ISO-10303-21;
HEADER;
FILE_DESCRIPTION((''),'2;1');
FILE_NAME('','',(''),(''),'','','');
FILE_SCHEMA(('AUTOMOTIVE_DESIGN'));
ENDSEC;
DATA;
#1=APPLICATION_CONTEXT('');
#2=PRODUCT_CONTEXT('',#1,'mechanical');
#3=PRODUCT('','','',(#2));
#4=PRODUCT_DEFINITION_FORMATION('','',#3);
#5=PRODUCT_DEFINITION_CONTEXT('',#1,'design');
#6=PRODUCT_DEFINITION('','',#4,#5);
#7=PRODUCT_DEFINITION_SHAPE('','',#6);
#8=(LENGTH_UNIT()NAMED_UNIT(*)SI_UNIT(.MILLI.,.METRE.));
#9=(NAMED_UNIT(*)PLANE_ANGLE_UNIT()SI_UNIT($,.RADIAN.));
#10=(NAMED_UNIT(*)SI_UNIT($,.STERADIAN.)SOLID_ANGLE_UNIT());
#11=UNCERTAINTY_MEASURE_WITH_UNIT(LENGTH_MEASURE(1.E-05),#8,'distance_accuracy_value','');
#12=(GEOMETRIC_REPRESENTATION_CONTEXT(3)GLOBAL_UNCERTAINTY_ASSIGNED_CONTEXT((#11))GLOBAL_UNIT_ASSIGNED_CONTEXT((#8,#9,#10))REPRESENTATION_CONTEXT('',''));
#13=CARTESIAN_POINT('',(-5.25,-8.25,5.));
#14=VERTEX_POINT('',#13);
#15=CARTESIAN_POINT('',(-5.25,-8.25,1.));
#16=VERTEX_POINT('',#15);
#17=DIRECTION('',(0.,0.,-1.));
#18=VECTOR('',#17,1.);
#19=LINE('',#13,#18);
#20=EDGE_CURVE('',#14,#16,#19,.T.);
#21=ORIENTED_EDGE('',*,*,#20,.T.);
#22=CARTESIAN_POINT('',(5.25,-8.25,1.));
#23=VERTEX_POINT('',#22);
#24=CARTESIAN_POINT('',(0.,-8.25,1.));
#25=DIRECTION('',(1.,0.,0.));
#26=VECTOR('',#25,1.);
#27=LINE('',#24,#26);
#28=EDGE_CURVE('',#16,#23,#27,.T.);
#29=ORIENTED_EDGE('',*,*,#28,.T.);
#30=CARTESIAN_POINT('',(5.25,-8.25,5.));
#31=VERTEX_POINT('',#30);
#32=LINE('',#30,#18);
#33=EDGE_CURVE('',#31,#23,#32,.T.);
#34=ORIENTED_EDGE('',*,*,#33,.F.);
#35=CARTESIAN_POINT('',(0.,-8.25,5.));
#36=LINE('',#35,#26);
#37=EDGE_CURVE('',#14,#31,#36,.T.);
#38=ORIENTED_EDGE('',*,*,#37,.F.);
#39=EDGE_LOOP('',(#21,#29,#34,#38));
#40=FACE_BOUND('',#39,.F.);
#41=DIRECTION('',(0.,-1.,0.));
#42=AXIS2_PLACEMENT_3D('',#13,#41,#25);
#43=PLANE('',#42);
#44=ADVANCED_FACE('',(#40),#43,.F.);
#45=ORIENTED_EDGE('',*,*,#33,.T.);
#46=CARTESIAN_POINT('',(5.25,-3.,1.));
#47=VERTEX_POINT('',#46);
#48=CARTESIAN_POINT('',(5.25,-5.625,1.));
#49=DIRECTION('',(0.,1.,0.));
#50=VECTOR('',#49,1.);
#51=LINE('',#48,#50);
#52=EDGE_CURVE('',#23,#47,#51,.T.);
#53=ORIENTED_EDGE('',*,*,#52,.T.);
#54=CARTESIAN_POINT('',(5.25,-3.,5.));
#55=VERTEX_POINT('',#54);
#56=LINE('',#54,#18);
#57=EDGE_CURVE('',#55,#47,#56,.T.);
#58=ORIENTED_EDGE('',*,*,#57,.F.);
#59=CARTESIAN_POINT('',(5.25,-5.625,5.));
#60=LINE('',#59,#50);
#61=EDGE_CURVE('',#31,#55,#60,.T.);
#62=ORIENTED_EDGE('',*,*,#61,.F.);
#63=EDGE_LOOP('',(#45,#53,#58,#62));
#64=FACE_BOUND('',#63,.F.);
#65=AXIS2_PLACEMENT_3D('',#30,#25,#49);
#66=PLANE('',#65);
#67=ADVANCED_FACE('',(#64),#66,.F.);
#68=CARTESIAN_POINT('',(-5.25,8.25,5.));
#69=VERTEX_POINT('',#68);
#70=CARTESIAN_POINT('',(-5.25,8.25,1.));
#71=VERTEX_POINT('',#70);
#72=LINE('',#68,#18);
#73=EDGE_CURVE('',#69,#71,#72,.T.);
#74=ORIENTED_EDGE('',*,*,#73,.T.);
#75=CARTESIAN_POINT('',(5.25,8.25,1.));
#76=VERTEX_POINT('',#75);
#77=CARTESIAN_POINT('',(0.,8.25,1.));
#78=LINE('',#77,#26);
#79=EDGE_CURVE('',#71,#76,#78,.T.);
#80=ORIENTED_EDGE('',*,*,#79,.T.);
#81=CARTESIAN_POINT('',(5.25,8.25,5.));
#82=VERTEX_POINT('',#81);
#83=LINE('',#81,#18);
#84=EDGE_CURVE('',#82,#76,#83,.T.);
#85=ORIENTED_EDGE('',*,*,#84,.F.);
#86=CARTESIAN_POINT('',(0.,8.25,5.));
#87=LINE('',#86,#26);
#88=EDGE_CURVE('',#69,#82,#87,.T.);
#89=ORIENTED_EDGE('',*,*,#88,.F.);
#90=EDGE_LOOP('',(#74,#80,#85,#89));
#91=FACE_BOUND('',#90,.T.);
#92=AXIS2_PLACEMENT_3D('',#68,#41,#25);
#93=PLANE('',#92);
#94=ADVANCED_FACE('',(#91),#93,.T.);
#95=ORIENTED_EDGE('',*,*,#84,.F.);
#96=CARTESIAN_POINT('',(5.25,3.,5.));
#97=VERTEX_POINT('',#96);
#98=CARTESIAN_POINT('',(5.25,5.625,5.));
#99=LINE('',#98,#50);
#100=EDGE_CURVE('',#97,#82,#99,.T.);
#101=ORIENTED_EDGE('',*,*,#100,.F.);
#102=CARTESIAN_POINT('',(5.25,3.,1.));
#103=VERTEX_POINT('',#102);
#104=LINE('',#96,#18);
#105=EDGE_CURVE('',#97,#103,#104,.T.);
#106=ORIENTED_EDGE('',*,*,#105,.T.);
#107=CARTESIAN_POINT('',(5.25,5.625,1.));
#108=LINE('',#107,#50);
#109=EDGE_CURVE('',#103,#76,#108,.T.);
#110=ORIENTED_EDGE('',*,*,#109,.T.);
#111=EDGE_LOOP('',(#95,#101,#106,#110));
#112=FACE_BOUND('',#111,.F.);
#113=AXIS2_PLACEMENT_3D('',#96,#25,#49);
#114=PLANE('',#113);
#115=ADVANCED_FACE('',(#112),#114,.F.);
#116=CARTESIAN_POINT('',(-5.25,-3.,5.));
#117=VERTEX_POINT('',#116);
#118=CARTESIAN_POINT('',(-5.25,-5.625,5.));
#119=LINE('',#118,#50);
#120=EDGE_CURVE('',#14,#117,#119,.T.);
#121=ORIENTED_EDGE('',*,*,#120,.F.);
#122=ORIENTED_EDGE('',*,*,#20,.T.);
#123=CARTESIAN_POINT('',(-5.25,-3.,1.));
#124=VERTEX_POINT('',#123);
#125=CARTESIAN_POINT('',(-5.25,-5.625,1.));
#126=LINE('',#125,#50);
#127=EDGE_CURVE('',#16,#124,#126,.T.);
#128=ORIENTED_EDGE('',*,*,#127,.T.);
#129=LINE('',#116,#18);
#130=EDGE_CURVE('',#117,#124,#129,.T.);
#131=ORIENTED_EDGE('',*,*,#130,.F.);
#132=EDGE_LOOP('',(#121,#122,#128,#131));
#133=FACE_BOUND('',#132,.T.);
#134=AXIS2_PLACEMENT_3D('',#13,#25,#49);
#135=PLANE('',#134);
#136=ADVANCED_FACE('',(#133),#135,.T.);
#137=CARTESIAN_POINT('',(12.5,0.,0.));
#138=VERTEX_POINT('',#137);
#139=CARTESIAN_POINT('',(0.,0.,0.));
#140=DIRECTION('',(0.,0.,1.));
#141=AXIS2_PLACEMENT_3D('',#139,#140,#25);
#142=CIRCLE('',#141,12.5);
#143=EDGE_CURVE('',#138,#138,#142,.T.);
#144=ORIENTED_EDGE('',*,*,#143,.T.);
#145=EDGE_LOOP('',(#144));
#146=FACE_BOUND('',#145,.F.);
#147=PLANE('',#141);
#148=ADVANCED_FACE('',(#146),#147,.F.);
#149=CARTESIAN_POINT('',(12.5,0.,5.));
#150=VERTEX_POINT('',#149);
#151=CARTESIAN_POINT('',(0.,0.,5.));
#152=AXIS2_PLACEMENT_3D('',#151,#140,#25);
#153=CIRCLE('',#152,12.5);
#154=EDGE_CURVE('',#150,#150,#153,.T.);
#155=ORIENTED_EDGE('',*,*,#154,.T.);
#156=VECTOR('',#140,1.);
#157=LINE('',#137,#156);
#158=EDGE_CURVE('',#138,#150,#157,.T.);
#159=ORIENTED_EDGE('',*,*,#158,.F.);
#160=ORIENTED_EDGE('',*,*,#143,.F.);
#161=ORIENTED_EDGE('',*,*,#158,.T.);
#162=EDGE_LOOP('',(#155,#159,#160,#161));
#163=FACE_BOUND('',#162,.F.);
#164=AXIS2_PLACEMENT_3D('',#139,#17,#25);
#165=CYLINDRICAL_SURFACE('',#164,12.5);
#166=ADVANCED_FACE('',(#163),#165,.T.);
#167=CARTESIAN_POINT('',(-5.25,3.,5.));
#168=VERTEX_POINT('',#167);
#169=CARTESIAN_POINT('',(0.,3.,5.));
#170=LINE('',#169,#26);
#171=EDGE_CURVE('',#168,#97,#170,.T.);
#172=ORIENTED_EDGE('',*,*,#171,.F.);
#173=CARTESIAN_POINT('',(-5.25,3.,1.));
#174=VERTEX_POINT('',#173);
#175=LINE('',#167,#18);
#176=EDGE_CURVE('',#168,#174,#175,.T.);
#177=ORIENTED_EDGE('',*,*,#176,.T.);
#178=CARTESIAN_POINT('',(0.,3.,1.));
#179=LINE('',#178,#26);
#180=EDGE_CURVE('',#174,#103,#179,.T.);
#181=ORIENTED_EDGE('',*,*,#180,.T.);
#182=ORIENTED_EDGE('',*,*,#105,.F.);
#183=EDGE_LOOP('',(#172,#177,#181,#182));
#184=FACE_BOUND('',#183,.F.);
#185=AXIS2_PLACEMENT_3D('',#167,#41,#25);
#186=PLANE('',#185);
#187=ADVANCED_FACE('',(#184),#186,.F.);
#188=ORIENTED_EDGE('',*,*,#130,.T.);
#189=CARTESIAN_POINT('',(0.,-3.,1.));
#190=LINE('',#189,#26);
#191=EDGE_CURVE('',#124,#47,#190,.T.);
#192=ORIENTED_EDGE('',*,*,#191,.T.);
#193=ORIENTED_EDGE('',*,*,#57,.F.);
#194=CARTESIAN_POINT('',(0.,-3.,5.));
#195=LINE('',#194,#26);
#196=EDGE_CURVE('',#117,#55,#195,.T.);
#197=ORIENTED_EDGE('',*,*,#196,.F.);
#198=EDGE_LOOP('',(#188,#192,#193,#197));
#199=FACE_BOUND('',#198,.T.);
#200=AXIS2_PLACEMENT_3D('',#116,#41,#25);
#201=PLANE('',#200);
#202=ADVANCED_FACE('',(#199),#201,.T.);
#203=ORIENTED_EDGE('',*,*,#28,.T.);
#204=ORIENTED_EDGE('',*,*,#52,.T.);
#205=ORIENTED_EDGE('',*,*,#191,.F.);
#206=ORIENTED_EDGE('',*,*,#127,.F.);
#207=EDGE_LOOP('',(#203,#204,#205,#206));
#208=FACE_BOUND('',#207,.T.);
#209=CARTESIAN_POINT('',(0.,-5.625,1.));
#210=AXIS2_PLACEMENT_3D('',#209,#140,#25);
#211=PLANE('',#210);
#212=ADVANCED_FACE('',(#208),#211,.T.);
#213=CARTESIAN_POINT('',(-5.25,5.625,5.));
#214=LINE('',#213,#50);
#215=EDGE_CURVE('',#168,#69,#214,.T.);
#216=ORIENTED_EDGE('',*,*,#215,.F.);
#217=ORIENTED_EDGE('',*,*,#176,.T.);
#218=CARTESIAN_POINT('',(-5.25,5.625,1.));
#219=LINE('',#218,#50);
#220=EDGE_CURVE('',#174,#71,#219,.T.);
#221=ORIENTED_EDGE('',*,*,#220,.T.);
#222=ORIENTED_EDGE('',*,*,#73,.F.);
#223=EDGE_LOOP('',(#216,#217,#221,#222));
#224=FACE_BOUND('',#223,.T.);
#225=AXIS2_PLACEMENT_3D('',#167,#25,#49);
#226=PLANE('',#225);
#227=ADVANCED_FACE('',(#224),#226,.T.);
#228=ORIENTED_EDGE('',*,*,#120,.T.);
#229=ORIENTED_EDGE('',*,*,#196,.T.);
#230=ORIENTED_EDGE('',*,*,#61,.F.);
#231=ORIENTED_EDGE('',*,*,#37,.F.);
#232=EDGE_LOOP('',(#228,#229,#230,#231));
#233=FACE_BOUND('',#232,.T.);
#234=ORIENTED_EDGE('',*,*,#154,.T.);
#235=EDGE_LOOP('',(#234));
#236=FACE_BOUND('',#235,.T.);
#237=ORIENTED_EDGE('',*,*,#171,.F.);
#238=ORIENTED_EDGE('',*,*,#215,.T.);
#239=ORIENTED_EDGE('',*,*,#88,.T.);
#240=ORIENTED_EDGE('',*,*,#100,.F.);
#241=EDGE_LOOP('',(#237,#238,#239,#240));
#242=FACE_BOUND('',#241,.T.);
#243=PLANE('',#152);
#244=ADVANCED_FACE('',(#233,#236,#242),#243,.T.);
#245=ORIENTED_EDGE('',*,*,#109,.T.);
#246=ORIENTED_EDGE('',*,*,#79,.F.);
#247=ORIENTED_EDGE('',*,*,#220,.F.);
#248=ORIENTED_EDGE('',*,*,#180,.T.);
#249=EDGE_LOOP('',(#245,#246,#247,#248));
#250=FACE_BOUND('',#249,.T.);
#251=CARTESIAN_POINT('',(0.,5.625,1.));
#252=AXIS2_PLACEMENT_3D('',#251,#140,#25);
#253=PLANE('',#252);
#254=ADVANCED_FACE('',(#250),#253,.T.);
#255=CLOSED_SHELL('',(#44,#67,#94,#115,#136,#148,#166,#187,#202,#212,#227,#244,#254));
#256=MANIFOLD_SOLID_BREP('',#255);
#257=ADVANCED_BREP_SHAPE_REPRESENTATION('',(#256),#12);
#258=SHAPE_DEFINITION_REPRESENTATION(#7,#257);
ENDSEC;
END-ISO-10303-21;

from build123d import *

# Parameters (mm, degrees)
F0_R     = 12.5
F1_DEPTH = 5
F2_W     = 10.5
F2_H     = 5.25
F3_DEPTH = 4


with BuildPart() as f1:
    # F0 (on Top) → F1 (new body)
    with BuildSketch(Plane.XY):
        Circle(F0_R)
    extrude(amount=F1_DEPTH)


with BuildPart() as f3:
    # F2 (on face) → F3 (new body)
    with BuildSketch(Plane.XY.offset(5)):
        with Locations((0, 5.625)):
            Rectangle(F2_W, F2_H)
        with Locations((0, -5.625)):
            Rectangle(F2_W, F2_H)
    extrude(amount=-F3_DEPTH)


with BuildPart() as f1_1:
    add(f1.part)

    # F4: cut F3
    add(f3.part, mode=Mode.SUBTRACT)


solid = f1_1.part
